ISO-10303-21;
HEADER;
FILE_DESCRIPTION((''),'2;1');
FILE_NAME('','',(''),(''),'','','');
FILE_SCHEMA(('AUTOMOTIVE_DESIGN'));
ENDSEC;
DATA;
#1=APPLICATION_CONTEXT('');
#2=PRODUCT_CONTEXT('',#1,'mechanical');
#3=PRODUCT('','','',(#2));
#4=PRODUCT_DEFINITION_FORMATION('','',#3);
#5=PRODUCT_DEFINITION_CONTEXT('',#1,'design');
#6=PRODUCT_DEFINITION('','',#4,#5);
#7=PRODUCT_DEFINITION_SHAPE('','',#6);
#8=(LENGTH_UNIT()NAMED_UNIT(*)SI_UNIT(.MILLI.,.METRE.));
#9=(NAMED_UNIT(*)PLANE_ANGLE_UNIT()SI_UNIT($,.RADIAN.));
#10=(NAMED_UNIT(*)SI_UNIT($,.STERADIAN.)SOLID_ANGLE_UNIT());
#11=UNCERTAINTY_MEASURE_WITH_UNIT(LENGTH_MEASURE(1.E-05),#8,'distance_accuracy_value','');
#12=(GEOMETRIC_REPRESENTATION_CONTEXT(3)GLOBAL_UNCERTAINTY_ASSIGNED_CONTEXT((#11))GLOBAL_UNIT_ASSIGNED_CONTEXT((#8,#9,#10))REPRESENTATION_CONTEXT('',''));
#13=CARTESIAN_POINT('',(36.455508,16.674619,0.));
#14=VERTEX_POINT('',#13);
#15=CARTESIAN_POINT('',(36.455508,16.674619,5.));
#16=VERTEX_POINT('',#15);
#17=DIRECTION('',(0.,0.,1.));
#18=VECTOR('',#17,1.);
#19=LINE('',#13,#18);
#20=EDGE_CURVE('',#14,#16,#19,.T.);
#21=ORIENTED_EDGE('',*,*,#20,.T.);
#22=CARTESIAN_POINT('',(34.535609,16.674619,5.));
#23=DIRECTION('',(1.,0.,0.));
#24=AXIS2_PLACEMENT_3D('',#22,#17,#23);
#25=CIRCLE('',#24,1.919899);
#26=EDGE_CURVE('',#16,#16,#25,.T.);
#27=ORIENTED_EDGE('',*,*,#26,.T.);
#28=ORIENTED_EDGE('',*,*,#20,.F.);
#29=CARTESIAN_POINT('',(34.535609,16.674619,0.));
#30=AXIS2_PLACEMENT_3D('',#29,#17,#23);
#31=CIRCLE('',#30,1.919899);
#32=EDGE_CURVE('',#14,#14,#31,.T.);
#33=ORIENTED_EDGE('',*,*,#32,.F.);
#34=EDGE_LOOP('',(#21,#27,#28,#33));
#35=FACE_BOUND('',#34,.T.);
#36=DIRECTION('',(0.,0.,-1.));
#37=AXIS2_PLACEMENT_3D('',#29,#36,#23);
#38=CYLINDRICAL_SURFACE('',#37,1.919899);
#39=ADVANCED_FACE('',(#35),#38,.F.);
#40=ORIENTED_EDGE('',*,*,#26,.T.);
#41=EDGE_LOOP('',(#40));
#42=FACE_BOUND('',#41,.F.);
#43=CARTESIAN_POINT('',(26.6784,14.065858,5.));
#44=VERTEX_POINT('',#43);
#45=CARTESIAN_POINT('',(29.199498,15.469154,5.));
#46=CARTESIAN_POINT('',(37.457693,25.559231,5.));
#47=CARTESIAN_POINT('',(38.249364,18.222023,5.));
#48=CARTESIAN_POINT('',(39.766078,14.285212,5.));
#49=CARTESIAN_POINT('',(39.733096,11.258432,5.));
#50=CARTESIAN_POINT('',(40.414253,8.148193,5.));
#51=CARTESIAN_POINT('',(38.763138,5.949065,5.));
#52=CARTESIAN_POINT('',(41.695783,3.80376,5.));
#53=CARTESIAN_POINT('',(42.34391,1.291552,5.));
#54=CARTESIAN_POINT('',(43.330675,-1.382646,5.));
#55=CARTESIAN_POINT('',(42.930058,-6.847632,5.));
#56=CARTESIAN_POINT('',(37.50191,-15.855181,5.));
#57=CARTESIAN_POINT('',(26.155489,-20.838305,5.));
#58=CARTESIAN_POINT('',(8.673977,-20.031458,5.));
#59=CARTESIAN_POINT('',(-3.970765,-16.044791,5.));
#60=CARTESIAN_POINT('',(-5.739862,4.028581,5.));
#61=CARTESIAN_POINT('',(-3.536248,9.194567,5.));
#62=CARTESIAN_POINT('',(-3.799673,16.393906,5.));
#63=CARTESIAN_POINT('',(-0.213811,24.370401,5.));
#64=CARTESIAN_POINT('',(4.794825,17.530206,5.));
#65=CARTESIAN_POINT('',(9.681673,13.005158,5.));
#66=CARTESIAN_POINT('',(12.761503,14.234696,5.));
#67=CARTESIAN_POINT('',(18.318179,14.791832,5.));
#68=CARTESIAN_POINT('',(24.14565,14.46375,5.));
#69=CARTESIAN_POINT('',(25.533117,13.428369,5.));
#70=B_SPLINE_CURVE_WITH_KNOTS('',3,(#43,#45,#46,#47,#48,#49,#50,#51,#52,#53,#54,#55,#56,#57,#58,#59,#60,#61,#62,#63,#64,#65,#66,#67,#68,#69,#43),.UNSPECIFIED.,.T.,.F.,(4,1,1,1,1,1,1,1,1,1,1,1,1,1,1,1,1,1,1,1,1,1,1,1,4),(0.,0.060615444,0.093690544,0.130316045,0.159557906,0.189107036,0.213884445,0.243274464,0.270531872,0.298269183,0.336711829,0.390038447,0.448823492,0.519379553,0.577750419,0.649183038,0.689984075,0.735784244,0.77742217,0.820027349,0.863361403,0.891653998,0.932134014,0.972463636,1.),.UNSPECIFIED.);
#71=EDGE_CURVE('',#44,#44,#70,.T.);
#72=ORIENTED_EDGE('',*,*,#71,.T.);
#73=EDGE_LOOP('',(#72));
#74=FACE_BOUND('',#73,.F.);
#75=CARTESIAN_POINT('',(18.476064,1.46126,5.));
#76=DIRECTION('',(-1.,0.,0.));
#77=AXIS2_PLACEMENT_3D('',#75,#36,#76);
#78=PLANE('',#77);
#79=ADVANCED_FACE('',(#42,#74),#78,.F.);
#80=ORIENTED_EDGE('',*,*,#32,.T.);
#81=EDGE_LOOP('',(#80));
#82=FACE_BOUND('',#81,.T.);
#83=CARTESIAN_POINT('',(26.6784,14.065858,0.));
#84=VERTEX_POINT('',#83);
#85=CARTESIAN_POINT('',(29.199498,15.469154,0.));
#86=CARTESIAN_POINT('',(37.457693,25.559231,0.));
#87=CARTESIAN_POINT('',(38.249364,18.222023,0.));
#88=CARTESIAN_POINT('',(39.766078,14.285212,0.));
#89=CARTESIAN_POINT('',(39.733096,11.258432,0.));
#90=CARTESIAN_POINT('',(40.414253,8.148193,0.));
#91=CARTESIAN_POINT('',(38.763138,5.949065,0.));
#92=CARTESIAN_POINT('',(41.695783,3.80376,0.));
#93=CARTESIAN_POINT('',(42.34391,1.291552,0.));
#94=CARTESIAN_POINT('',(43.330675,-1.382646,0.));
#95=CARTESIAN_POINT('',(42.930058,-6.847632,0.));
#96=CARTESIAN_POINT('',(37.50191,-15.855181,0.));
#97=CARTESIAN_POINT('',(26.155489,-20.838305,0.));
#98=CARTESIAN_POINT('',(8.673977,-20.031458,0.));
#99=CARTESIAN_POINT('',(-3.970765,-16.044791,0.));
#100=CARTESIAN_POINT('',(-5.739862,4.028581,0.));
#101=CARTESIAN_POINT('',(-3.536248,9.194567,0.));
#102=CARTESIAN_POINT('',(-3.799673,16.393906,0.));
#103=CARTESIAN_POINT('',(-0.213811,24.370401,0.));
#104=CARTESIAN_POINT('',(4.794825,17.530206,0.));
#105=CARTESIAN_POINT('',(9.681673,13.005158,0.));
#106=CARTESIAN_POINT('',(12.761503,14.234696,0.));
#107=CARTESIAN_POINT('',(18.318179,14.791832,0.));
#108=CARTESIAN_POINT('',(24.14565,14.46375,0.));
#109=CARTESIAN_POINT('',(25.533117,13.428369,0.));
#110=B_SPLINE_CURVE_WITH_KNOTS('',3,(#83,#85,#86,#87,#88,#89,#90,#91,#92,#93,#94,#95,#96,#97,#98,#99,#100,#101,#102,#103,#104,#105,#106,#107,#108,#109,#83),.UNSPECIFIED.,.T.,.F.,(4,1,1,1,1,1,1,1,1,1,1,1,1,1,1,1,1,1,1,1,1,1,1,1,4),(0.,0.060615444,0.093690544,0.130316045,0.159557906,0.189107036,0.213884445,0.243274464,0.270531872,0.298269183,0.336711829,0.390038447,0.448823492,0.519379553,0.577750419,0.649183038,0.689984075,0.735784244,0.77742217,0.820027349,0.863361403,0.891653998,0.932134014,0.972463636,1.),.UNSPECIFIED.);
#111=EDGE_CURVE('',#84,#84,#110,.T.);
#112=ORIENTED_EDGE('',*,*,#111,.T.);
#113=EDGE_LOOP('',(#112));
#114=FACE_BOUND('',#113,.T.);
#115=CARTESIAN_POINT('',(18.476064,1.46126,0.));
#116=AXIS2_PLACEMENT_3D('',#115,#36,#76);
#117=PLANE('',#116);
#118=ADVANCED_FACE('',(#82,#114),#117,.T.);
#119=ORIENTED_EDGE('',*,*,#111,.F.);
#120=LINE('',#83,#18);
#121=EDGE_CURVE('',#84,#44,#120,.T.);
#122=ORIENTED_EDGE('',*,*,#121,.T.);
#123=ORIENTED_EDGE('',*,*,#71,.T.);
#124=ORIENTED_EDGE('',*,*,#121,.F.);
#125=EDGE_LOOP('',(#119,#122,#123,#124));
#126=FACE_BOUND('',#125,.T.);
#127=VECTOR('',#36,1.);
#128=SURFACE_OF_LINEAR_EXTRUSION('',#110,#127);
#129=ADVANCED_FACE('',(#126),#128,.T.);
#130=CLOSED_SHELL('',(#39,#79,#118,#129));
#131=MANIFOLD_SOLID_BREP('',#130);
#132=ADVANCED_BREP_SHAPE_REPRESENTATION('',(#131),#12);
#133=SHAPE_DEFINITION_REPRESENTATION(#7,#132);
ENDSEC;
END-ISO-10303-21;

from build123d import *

# Parameters (mm, degrees)
F0_R     = 1.9198992317
F1_DEPTH = 5
F2_DEPTH = 5


with BuildPart() as f1:
    # F0 (on Top) → F1 (new body)
    with BuildSketch(Plane.XY):
        with BuildLine():
            add(Edge.make_bspline(
                [(26.6784001142, 14.0658579767), (29.1994978308, 15.469154404), (37.4576928284, 25.5592311161), (38.2493636, 18.2220232244), (39.7660782, 14.2852116855), (39.7330957197, 11.2584319559), (40.4142529351, 8.1481930144), (38.7631377055, 5.9490654612), (41.6957829837, 3.8037596771), (42.3439099187, 1.291551609), (43.3306750675, -1.3826458131), (42.9300575442, -6.847632001), (37.5019102798, -15.855180606), (26.155489419, -20.8383047343), (8.673976784, -20.0314578208), (-3.9707653425, -16.0447913505), (-5.739862189, 4.0285809878), (-3.5362480258, 9.1945666947), (-3.7996734924, 16.3939060806), (-0.2138108221, 24.3704013659), (4.7948254245, 17.5302057233), (9.6816729832, 13.0051582338), (12.7615028681, 14.2346959584), (18.3181790684, 14.7918323961), (24.1456502717, 14.4637499051), (25.5331166857, 13.4283689445), (26.6784001142, 14.0658579767)],
                knots=[0, 0, 0, 0, 0.0606154439, 0.0936905444, 0.130316045, 0.159557906, 0.1891070356, 0.2138844454, 0.2432744635, 0.2705318723, 0.2982691835, 0.3367118286, 0.3900384471, 0.448823492, 0.5193795533, 0.5777504188, 0.6491830381, 0.6899840755, 0.7357842444, 0.7774221699, 0.8200273494, 0.8633614032, 0.891653998, 0.9321340145, 0.9724636364, 1, 1, 1, 1], degree=3))
        make_face()
        with Locations((34.5356091857, 16.674619168)):
            Circle(F0_R, mode=Mode.SUBTRACT)
    extrude(amount=F1_DEPTH)

    # F0 (on Top) → F2 (cut)
    with BuildSketch(Plane.XY):
        with BuildLine():
            add(Edge.make_bspline(
                [(26.6784001142, 14.0658579767), (29.1994978308, 15.469154404), (37.4576928284, 25.5592311161), (38.2493636, 18.2220232244), (39.7660782, 14.2852116855), (39.7330957197, 11.2584319559), (40.4142529351, 8.1481930144), (38.7631377055, 5.9490654612), (41.6957829837, 3.8037596771), (42.3439099187, 1.291551609), (43.3306750675, -1.3826458131), (42.9300575442, -6.847632001), (37.5019102798, -15.855180606), (26.155489419, -20.8383047343), (8.673976784, -20.0314578208), (-3.9707653425, -16.0447913505), (-5.739862189, 4.0285809878), (-3.5362480258, 9.1945666947), (-3.7996734924, 16.3939060806), (-0.2138108221, 24.3704013659), (4.7948254245, 17.5302057233), (9.6816729832, 13.0051582338), (12.7615028681, 14.2346959584), (18.3181790684, 14.7918323961), (24.1456502717, 14.4637499051), (25.5331166857, 13.4283689445), (26.6784001142, 14.0658579767)],
                knots=[0, 0, 0, 0, 0.0606154439, 0.0936905444, 0.130316045, 0.159557906, 0.1891070356, 0.2138844454, 0.2432744635, 0.2705318723, 0.2982691835, 0.3367118286, 0.3900384471, 0.448823492, 0.5193795533, 0.5777504188, 0.6491830381, 0.6899840755, 0.7357842444, 0.7774221699, 0.8200273494, 0.8633614032, 0.891653998, 0.9321340145, 0.9724636364, 1, 1, 1, 1], degree=3))
        make_face()
        with Locations((34.5356091857, 16.674619168)):
            Circle(F0_R, mode=Mode.SUBTRACT)
    extrude(amount=-F2_DEPTH, mode=Mode.SUBTRACT)


solid = f1.part
